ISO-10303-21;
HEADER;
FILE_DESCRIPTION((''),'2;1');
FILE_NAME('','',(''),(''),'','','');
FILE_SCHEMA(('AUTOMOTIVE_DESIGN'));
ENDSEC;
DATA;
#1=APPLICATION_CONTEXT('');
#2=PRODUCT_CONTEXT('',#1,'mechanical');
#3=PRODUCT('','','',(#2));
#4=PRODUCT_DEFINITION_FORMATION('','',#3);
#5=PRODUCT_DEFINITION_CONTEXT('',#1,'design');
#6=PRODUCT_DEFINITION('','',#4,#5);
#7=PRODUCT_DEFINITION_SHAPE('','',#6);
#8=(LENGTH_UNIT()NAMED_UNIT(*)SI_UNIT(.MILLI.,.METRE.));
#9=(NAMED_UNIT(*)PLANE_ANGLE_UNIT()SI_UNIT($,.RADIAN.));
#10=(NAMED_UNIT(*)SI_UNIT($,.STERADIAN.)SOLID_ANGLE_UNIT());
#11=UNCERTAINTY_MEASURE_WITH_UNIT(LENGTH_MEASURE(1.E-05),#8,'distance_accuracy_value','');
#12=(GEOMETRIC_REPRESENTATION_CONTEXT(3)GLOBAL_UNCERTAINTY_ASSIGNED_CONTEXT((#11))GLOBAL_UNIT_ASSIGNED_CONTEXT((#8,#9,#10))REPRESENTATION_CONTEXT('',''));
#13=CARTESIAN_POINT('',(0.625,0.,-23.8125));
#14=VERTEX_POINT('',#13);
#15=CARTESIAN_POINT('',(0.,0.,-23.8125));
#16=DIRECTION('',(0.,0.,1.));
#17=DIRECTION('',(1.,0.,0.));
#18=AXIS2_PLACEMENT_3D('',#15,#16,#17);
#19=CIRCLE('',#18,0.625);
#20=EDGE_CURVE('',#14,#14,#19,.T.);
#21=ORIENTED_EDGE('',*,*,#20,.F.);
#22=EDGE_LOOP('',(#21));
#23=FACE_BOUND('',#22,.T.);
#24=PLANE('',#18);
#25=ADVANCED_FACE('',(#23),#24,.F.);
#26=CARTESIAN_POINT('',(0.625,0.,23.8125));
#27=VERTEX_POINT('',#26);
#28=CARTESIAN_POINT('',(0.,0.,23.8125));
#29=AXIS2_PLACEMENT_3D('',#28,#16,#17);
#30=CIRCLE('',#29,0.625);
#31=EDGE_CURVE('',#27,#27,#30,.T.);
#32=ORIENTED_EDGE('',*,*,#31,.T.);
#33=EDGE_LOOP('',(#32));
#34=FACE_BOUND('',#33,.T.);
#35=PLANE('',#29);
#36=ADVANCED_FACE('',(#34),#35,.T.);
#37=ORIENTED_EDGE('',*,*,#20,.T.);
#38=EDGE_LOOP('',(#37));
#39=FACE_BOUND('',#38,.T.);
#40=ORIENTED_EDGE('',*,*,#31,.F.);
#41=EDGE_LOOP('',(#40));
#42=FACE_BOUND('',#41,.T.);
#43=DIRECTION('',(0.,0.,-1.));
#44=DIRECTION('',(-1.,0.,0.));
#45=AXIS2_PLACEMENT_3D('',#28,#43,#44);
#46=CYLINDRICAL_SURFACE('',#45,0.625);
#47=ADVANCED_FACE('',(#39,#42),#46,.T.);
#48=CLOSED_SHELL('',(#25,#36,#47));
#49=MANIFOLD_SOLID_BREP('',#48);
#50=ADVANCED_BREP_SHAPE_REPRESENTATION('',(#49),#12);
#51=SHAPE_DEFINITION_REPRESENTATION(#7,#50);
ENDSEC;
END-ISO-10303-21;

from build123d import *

# Parameters (mm, degrees)
SKETCH3_R                = 0.625
BOSS_EXTRUDE1_DEPTH      = 23.8125
BOSS_EXTRUDE1_DEPTH_BACK = 23.8125


with BuildPart() as part:
    # Sketch3 → Boss-Extrude1 (new body, two sides)
    with BuildSketch(Plane.XY) as boss_extrude1_sk:
        Circle(SKETCH3_R)
    extrude(amount=BOSS_EXTRUDE1_DEPTH)
    extrude(boss_extrude1_sk.sketch, amount=-BOSS_EXTRUDE1_DEPTH_BACK)


solid = part.part
